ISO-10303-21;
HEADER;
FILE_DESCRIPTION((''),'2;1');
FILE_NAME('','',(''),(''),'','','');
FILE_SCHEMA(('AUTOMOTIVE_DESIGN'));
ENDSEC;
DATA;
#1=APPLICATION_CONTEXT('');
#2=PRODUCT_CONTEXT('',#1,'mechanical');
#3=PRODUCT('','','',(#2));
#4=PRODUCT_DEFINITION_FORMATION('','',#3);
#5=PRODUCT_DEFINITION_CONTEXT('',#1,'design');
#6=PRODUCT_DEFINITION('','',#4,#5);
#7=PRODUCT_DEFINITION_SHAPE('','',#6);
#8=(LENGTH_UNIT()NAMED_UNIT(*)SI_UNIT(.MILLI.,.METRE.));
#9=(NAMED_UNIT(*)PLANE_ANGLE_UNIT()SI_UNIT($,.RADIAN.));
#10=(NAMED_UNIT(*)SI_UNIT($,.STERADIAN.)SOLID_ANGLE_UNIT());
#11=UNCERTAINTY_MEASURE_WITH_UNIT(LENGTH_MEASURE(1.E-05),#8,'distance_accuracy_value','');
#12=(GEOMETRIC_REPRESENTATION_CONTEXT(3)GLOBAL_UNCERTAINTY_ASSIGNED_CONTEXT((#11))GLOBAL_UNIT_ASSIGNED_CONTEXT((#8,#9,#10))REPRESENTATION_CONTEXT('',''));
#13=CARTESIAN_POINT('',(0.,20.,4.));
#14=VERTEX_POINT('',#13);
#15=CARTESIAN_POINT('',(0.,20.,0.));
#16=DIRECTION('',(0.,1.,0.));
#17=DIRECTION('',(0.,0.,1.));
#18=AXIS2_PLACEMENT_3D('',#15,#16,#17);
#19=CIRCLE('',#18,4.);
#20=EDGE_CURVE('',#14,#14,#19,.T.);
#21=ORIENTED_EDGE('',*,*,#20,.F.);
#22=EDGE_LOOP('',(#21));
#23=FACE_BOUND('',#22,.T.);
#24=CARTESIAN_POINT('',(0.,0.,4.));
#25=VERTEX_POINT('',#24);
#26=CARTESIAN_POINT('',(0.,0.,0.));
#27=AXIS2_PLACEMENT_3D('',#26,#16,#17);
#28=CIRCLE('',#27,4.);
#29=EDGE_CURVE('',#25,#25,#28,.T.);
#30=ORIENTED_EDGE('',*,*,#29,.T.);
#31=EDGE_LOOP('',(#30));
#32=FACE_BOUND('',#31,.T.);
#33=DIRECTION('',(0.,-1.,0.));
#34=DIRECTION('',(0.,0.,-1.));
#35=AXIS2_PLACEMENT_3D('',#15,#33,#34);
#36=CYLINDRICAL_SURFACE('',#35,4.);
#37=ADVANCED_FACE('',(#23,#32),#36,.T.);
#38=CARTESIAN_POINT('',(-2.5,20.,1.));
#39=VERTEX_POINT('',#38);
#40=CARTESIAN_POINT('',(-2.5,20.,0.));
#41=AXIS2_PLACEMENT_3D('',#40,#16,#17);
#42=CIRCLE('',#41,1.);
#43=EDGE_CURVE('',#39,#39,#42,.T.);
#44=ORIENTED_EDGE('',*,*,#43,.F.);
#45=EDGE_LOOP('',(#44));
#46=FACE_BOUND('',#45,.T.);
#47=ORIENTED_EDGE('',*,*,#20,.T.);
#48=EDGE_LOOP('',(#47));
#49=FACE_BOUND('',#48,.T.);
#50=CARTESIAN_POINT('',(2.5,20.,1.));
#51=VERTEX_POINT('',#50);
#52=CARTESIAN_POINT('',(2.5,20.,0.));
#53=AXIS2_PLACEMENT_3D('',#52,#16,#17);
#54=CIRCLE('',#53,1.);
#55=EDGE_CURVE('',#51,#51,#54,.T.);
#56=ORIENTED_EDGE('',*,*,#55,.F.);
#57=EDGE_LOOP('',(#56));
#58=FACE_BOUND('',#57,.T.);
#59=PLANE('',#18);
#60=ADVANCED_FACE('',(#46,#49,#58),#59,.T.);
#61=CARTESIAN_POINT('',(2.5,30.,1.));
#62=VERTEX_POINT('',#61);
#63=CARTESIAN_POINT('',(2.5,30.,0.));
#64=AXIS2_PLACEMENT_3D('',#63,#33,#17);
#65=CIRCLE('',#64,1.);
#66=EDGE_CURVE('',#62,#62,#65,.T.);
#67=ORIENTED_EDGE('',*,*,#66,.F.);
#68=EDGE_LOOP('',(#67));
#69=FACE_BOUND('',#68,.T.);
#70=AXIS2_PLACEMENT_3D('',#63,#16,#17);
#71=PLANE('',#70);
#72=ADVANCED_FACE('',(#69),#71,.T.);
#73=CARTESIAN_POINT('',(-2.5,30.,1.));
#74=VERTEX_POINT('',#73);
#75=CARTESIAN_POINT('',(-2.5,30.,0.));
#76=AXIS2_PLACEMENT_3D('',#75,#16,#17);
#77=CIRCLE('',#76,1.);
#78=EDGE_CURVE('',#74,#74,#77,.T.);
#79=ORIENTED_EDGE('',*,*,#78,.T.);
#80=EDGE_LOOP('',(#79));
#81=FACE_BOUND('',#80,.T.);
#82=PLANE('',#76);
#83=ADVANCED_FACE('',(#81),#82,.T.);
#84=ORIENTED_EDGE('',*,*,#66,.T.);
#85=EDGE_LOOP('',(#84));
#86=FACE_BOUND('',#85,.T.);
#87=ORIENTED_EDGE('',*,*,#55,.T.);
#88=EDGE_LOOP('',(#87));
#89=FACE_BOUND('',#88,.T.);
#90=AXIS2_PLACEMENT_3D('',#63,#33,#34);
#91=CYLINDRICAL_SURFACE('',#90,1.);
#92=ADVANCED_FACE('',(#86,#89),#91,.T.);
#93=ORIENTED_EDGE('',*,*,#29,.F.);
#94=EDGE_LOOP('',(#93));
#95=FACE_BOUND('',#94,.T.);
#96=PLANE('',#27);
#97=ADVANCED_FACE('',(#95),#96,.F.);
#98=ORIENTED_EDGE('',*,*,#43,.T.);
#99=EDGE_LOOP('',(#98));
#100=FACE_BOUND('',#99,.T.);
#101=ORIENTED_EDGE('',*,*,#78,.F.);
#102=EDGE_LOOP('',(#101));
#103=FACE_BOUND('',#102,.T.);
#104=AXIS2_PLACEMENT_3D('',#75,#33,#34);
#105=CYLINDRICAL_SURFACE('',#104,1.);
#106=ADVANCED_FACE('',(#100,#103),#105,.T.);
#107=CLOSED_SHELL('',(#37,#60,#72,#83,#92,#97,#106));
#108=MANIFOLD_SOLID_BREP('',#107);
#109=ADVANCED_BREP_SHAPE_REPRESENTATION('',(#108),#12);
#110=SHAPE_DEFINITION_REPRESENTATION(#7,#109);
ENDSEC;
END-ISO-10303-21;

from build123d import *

# Parameters (mm, degrees)
SKETCH_1_R      = 4
EXTRUDE_1_DEPTH = 20
SKETCH_2_R      = 1
EXTRUDE_2_DEPTH = 10


with BuildPart() as part:
    # 草图1 → 凸台-拉伸1 (new body)
    with BuildSketch(Plane(origin=(0, 0, 0), x_dir=(1, 0, 0), z_dir=(0, 1, 0))):
        with Locations(Location((0, 0, 0), (0, 0, 270))):
            Circle(SKETCH_1_R)
    extrude(amount=EXTRUDE_1_DEPTH)

    # 草图2 → 凸台-拉伸2 (add)
    with BuildSketch(Plane(origin=(0, 20, 0), x_dir=(1, 0, 0), z_dir=(0, 1, 0))):
        with Locations(Location((-2.5, 0, 0), (0, 0, 270))):
            Circle(SKETCH_2_R)
    extrude_2 = extrude(amount=EXTRUDE_2_DEPTH)

    # 镜向1: 凸台-拉伸2 across plane
    add(extrude_2.mirror(Plane(origin=(0, 0, 0), x_dir=(0, 0, 1), z_dir=(1, 0, 0))))


solid = part.part
